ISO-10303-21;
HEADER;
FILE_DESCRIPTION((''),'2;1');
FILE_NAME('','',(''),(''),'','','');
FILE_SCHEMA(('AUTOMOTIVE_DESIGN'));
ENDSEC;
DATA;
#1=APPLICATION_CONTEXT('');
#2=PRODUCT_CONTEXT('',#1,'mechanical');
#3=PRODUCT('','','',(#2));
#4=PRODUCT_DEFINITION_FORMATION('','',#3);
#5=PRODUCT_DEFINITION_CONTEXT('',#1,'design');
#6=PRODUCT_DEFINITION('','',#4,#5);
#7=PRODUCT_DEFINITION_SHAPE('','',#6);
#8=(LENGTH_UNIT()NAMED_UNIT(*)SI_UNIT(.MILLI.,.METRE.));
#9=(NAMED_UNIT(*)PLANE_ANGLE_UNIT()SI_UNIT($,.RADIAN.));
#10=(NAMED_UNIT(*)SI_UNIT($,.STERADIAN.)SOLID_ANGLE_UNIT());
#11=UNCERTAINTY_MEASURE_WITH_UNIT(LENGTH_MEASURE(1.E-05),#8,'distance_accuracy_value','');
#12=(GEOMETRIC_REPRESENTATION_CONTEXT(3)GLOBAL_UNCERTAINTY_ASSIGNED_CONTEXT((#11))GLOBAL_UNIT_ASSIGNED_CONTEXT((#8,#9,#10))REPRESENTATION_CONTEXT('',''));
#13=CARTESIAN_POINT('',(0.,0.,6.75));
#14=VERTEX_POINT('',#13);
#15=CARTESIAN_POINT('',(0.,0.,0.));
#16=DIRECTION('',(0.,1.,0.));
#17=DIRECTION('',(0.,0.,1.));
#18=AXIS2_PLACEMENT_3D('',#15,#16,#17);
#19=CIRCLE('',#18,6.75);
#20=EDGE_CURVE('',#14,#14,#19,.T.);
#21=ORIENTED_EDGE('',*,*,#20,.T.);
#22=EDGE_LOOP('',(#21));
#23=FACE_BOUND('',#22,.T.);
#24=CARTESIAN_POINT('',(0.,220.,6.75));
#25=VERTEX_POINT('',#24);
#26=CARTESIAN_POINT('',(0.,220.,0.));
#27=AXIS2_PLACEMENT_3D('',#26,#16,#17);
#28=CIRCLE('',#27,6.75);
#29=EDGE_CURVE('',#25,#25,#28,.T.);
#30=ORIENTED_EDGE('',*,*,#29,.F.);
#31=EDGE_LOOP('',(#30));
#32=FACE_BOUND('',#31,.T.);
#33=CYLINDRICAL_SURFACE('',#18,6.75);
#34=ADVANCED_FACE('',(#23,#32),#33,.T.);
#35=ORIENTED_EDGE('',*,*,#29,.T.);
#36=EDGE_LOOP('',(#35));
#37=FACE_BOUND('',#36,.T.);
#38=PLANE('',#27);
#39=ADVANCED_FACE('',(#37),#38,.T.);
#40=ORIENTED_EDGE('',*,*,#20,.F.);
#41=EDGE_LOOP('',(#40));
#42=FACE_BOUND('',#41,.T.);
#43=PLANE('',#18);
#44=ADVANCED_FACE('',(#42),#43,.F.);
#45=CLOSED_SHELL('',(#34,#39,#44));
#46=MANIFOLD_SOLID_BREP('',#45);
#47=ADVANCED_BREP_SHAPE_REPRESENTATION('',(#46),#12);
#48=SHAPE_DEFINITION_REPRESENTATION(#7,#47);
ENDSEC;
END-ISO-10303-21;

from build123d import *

# Parameters (mm, degrees)
SKETCH2_R = 6.75


with BuildPart() as part:
    # Sweep1: sweep along a path in Sketch1
    with BuildLine(Plane.XY) as sweep1_path:
        Line((0, 0), (0, 220))
    # Sketch2 → Sweep1 (sweep)
    with BuildSketch(Plane(origin=(0, 0, 0), x_dir=(1, 0, 0), z_dir=(0, 1, 0))):
        Circle(SKETCH2_R)
    sweep(path=sweep1_path.line)


solid = part.part
